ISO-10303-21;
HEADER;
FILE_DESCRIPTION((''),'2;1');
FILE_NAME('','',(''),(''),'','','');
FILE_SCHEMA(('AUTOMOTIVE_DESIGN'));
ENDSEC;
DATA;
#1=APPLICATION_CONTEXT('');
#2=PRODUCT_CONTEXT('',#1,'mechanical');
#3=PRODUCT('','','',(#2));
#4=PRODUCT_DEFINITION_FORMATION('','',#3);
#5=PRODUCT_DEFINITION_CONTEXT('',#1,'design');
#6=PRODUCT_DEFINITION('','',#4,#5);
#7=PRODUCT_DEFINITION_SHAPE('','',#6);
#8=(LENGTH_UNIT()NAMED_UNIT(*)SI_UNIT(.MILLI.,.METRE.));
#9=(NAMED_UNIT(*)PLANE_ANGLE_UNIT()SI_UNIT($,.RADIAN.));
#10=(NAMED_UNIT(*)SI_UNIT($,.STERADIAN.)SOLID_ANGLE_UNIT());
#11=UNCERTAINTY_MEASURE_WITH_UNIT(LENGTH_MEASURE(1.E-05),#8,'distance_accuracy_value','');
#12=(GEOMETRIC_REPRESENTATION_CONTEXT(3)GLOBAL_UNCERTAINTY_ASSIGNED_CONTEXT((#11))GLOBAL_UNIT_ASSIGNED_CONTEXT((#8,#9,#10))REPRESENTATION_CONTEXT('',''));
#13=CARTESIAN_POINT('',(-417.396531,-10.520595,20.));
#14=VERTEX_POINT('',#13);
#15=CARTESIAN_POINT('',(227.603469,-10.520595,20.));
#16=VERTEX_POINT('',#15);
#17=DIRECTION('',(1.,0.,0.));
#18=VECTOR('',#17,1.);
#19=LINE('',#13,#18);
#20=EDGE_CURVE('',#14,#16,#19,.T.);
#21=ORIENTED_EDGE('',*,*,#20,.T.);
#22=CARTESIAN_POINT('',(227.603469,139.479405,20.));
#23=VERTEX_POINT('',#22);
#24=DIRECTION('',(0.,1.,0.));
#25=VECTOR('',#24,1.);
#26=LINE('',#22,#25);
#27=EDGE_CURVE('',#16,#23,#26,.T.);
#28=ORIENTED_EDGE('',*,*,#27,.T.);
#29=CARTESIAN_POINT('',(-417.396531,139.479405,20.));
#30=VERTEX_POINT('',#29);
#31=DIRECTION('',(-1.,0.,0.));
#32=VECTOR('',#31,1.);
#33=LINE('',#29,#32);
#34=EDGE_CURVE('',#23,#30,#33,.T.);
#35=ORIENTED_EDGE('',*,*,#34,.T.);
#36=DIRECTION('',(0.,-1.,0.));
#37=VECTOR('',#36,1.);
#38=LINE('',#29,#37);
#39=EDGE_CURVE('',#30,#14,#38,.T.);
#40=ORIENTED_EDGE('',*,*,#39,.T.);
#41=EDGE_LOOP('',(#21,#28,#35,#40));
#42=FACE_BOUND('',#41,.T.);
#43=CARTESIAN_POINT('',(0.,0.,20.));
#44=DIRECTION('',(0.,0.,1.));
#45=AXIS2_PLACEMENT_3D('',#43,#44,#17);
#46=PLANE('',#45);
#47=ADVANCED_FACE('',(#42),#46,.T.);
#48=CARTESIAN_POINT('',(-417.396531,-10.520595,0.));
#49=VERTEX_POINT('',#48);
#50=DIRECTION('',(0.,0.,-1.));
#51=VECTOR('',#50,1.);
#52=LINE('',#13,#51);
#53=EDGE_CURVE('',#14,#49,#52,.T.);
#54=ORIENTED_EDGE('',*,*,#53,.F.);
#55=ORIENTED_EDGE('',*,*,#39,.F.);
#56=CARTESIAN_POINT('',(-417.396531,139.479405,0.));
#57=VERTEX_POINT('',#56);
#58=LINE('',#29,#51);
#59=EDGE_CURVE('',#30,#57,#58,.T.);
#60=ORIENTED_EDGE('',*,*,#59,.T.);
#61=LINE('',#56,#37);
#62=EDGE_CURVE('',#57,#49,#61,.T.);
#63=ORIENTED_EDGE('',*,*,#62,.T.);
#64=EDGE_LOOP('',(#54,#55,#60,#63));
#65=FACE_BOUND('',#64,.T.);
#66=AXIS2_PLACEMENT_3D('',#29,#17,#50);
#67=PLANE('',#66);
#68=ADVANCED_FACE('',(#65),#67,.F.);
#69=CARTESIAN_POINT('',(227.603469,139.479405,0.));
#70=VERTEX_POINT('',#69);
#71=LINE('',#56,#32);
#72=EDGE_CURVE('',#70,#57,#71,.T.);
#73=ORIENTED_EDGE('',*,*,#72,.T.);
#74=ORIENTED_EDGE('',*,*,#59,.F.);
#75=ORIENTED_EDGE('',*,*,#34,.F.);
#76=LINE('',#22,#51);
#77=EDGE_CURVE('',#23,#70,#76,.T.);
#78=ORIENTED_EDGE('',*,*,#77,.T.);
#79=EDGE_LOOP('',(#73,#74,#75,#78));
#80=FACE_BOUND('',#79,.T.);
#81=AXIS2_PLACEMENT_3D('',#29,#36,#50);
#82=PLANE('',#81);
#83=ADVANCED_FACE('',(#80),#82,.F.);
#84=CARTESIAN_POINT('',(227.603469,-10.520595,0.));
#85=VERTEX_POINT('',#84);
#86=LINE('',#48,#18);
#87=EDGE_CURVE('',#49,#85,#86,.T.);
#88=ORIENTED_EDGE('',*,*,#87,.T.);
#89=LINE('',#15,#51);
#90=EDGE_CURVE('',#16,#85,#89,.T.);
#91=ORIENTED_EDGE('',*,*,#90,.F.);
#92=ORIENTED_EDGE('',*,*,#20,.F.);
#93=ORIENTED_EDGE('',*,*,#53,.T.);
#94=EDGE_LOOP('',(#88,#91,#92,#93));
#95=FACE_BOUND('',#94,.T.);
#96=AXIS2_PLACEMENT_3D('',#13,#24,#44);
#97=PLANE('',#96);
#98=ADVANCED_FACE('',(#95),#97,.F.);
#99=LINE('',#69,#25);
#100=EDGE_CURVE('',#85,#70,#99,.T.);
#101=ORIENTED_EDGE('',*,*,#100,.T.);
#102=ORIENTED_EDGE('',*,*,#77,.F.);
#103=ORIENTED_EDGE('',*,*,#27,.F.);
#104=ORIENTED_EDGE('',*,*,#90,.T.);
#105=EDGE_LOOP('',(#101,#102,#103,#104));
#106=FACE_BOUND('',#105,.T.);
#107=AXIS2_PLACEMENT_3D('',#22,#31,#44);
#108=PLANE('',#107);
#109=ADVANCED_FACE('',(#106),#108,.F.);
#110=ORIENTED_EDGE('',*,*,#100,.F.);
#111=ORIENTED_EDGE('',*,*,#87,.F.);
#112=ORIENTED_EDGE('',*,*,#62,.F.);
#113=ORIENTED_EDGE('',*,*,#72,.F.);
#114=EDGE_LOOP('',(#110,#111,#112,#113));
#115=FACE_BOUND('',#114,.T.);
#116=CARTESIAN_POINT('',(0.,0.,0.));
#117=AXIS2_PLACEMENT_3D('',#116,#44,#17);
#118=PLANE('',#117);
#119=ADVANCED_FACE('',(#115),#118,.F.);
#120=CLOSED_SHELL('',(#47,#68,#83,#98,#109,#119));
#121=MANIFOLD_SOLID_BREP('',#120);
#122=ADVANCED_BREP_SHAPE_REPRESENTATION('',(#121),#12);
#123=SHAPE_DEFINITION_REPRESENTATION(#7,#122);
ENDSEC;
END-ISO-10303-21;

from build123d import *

# Parameters (mm, degrees)
CROQUIS1_W              = 645
CROQUIS1_H              = 150
SALIENTE_EXTRUIR1_DEPTH = 20


with BuildPart() as part:
    # Croquis1 → Saliente-Extruir1 (new body)
    with BuildSketch(Plane.XY):
        with Locations((-94.896530779, 64.479405034)):
            Rectangle(CROQUIS1_W, CROQUIS1_H)
    extrude(amount=SALIENTE_EXTRUIR1_DEPTH)


solid = part.part
